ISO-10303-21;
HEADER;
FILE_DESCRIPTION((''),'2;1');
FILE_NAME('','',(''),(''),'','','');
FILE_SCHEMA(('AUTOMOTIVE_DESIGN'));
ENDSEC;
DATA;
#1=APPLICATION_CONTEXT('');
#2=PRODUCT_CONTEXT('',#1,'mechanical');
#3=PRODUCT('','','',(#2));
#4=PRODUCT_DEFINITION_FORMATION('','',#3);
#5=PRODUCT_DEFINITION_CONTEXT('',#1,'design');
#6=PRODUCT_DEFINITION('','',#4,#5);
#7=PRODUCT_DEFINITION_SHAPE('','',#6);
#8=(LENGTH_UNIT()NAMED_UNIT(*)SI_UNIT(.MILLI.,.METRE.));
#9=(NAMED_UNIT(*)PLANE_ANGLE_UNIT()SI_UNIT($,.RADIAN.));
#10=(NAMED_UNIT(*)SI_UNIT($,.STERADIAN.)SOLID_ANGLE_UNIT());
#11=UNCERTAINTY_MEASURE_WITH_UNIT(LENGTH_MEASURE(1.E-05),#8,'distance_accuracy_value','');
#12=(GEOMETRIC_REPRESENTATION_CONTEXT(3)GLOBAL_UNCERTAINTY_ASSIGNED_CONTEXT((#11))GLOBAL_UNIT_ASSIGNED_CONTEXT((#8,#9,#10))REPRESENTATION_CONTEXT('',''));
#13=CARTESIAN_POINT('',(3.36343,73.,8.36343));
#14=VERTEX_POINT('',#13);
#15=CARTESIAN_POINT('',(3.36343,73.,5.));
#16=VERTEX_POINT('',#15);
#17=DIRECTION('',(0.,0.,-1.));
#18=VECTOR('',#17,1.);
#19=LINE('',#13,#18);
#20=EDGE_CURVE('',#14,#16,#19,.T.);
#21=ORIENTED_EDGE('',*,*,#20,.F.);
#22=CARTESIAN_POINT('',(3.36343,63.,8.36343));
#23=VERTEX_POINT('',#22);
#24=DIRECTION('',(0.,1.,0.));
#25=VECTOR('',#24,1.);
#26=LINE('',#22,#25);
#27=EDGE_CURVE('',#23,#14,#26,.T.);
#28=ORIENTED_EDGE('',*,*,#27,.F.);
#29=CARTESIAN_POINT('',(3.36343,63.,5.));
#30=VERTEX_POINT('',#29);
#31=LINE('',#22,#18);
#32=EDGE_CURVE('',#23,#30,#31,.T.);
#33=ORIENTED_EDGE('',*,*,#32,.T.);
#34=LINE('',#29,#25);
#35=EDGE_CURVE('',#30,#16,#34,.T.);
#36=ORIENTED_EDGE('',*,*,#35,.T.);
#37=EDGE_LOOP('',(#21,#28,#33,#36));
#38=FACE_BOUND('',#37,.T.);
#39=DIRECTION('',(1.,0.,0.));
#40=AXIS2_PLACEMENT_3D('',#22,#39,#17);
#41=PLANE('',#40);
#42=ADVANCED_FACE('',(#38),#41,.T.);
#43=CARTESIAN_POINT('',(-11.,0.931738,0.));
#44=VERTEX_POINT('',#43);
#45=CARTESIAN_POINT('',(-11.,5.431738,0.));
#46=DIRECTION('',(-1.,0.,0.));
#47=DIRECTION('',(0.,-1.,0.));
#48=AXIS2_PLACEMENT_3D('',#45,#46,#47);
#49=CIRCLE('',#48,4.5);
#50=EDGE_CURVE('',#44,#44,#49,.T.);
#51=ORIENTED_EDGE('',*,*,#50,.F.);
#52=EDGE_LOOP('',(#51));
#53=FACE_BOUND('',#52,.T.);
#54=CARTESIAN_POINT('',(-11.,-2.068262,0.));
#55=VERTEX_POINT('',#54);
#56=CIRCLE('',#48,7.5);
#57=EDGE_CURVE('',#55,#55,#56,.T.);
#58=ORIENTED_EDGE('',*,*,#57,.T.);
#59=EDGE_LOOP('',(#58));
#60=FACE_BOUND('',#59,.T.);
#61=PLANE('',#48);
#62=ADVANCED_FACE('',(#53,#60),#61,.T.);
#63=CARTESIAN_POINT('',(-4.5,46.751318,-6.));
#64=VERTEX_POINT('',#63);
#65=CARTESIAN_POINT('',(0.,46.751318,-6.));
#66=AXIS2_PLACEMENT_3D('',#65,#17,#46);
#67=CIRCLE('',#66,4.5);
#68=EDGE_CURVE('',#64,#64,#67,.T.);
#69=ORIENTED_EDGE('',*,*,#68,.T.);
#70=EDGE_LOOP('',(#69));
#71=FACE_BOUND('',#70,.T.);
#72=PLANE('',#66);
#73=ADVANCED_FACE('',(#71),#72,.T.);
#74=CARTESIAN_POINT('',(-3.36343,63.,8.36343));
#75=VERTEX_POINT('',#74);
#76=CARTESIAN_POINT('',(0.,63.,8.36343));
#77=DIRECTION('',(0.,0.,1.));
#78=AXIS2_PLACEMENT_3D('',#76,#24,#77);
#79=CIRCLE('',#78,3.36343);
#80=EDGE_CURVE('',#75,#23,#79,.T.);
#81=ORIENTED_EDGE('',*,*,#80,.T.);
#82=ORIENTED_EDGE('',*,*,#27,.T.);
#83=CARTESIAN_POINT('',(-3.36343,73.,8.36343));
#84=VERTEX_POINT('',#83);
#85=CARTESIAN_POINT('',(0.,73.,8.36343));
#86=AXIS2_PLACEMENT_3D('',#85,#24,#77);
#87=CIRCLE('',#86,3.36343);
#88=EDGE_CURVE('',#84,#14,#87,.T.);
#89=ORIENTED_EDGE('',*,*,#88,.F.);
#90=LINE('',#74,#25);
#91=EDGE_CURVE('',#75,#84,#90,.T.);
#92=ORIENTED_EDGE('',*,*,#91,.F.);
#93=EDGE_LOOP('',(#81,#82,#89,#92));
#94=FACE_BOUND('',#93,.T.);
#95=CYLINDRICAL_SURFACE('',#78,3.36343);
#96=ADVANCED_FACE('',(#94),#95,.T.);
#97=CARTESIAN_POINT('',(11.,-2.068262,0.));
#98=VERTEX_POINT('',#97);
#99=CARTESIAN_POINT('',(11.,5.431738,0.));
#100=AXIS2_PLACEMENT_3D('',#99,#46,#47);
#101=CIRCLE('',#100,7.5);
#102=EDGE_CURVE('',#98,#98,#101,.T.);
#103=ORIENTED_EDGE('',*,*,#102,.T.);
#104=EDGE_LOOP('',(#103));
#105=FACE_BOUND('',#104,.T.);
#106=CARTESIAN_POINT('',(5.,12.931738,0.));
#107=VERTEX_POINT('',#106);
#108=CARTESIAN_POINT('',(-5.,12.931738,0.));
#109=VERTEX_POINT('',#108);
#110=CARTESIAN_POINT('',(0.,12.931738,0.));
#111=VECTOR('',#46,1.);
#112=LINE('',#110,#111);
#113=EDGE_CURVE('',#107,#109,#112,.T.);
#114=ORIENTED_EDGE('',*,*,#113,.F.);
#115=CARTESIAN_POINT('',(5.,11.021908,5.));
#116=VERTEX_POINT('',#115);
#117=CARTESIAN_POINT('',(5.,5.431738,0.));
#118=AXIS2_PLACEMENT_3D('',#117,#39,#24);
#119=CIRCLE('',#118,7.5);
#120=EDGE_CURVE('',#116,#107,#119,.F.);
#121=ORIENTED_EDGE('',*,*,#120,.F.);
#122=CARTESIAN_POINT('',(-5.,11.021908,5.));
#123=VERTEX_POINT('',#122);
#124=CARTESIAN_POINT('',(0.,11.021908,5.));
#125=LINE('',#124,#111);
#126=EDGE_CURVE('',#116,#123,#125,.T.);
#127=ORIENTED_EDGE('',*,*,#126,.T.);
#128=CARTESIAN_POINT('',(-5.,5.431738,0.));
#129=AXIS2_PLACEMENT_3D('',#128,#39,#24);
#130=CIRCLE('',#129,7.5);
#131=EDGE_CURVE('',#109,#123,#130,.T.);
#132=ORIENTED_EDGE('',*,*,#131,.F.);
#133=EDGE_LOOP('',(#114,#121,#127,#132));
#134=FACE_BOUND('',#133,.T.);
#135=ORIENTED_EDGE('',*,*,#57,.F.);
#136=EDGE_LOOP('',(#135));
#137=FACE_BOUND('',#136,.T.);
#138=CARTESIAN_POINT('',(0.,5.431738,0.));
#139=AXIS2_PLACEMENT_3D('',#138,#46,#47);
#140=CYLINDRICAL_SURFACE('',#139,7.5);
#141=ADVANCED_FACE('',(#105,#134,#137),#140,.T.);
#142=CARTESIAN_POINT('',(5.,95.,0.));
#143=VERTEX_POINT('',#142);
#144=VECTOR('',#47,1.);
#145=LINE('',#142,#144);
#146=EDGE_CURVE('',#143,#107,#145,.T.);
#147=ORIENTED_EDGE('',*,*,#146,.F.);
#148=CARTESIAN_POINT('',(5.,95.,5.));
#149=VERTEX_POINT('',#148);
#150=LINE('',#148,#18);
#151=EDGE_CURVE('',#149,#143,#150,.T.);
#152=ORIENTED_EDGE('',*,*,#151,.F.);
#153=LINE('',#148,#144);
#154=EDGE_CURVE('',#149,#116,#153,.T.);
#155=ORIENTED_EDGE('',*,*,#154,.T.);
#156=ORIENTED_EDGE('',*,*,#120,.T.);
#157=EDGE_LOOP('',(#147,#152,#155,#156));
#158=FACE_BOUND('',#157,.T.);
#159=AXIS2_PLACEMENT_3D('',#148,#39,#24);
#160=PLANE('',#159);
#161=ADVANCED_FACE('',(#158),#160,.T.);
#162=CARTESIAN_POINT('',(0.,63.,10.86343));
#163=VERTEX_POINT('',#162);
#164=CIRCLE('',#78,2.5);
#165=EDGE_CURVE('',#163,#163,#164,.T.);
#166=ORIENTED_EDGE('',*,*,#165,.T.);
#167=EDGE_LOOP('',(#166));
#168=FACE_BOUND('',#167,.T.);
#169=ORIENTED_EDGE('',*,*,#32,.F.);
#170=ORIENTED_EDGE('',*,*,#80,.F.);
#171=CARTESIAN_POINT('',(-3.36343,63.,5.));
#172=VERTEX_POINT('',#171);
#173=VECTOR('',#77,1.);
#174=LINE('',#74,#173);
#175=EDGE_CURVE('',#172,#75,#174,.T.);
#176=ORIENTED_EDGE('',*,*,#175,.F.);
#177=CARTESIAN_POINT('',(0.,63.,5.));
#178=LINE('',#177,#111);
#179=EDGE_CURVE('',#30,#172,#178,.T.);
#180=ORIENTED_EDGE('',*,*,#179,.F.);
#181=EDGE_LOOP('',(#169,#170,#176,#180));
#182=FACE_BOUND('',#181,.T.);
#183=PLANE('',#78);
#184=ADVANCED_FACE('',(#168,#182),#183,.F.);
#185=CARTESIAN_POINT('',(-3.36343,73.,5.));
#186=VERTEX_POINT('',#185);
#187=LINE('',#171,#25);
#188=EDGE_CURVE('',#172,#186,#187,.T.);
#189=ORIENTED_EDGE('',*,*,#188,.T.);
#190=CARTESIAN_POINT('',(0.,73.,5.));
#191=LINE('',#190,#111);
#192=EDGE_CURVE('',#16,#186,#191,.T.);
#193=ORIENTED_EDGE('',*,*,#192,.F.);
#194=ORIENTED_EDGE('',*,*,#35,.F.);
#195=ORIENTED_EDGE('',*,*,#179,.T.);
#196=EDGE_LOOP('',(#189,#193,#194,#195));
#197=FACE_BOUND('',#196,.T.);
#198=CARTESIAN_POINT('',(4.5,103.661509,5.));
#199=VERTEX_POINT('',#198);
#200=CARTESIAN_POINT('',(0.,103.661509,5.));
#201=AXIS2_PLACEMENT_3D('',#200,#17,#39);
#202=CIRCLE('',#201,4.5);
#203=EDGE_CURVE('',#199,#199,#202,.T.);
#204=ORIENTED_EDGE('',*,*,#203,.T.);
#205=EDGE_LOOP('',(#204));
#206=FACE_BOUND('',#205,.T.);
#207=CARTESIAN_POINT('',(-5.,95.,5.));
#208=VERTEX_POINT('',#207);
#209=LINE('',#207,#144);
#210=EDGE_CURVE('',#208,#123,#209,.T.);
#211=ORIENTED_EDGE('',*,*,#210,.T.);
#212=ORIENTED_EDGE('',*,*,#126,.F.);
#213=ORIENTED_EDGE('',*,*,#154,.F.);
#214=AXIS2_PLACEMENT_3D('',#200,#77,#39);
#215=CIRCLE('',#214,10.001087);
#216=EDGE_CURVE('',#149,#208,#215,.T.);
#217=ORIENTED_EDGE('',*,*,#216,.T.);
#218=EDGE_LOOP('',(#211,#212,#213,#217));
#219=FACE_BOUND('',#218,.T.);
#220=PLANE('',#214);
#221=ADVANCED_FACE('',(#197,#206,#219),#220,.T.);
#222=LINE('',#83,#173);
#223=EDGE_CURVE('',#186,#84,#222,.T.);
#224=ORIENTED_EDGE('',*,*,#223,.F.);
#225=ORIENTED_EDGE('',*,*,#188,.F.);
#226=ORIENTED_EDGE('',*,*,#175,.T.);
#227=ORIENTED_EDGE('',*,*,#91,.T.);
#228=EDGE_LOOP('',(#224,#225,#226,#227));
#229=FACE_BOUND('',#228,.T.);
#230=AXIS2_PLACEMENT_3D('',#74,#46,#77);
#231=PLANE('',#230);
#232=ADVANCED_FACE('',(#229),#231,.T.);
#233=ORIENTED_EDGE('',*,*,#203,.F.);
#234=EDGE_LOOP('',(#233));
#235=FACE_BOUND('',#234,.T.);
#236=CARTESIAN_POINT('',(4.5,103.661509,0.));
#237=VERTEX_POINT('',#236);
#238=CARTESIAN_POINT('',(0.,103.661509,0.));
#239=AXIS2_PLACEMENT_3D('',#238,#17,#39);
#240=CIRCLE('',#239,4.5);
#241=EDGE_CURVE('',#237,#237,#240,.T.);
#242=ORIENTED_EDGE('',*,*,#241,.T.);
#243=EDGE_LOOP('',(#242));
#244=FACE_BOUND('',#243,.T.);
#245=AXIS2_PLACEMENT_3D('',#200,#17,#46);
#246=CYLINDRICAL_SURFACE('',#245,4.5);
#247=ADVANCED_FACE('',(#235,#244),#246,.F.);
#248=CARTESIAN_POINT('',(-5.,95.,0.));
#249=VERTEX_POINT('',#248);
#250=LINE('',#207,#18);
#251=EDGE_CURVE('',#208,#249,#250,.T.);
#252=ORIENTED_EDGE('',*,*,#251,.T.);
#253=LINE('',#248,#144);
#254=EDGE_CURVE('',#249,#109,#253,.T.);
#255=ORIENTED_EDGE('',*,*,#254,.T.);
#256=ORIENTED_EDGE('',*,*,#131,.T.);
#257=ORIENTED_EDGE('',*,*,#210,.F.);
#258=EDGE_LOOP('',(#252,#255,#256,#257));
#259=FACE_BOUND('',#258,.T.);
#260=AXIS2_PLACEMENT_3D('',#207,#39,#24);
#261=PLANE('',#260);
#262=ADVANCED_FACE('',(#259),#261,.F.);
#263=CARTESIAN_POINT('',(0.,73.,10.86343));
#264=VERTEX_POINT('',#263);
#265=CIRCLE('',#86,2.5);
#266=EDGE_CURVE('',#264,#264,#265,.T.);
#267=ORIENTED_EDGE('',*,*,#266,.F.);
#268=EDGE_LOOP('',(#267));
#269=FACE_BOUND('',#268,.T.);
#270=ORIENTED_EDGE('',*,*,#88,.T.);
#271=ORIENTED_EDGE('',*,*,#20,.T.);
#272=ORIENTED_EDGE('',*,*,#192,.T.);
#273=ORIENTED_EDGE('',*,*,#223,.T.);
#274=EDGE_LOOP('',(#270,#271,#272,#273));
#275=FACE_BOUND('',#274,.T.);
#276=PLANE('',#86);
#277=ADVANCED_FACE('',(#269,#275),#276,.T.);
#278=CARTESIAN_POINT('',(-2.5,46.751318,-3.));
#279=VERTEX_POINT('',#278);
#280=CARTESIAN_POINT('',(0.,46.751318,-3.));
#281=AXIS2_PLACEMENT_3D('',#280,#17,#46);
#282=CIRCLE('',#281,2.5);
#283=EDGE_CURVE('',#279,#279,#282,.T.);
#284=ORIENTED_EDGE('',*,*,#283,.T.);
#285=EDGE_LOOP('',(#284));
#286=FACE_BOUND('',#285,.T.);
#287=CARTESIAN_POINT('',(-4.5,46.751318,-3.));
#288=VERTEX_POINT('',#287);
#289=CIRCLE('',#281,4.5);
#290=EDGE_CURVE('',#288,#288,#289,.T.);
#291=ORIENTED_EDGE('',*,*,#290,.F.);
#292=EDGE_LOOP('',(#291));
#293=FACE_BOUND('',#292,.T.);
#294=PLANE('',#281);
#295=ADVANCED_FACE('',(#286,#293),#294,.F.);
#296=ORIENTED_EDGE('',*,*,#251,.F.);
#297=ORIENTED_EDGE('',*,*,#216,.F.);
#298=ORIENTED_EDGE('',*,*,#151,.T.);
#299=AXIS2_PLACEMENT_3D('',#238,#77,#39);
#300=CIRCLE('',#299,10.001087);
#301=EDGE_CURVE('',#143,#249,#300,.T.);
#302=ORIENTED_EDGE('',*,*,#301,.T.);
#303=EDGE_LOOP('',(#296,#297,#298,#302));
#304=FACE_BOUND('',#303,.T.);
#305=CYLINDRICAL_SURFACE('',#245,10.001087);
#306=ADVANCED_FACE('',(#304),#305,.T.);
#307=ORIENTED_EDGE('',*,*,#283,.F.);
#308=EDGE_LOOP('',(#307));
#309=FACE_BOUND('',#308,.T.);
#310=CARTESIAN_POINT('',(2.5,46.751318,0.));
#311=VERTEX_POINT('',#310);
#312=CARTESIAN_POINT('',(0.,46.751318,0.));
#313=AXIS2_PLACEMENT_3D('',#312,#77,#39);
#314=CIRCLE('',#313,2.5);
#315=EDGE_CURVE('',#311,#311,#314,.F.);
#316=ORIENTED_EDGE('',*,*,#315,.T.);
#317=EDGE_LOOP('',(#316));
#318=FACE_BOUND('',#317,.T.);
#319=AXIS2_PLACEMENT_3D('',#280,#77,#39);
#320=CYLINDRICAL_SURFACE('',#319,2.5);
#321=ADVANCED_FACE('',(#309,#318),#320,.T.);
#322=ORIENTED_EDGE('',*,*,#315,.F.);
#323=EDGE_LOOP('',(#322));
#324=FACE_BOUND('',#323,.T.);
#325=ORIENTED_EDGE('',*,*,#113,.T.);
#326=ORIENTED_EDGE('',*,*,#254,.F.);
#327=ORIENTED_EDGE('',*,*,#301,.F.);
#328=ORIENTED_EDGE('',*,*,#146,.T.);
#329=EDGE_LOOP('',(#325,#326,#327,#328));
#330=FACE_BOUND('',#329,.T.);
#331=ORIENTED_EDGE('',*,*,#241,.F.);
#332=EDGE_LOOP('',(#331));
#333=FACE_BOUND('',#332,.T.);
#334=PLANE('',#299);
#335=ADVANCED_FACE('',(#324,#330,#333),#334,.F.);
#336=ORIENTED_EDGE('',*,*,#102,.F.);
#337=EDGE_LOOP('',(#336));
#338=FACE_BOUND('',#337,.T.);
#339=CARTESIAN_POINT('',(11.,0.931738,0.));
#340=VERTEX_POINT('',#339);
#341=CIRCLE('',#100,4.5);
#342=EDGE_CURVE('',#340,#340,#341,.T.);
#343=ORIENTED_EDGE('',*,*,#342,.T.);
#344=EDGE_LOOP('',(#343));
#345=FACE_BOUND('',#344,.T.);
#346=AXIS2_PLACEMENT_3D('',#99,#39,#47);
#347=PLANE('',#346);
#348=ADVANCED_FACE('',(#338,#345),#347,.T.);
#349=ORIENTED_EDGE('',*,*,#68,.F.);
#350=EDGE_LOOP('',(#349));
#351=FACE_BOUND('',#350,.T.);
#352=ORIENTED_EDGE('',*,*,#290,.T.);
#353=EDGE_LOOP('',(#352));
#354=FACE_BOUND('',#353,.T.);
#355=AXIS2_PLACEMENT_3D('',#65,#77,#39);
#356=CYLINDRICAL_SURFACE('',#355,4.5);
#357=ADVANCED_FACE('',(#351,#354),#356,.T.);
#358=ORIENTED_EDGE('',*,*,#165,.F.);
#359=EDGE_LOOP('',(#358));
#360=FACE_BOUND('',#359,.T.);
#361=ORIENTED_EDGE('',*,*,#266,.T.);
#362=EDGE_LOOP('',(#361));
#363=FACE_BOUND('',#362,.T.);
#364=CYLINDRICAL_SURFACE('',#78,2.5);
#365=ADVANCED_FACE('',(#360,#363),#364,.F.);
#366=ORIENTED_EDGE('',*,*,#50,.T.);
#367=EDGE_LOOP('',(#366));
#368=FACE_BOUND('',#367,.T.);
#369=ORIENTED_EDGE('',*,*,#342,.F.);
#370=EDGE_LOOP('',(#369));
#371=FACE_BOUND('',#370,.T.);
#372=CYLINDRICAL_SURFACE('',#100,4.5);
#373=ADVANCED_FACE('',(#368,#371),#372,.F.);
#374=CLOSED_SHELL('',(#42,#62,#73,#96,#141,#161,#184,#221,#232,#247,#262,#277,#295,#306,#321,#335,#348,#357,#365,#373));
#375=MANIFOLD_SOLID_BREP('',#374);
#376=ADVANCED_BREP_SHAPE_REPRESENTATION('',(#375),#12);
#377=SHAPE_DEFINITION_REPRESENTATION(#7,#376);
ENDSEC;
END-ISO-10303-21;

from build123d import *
from build123d.topology import SkipClean

# Parameters (mm, degrees)
BOSS_EXTRUDE1_DEPTH      = 5
BOSS_EXTRUDE2_START      = -5
SKETCH3_R                = 7.5
BOSS_EXTRUDE2_DEPTH      = 11
SKETCH7_R                = 2.5
BOSS_EXTRUDE7_DEPTH      = 3
SKETCH8_R                = 4.5
BOSS_EXTRUDE8_DEPTH      = 3
BOSS_EXTRUDE9_DEPTH      = 8
BOSS_EXTRUDE9_DEPTH_BACK = 2
BOSS_EXTRUDE9_START      = 65
SKETCH9_R                = 2.5
SKETCH4_R                = 4.5
CUT_EXTRUDE1_DEPTH       = 117.364534493


with BuildPart() as part:
    # Sketch1 → Boss-Extrude1 (new body)
    with BuildSketch(Plane.XY):
        with BuildLine():
            Line((-5, 95), (-5, 0))
            Line((-5, 0), (0, 0))
            Line((0, 0), (0, 99.161508865))
            ThreePointArc((0, 99.161508865), (-4.5, 103.661508865), (0, 108.161508865))
            Line((0, 108.161508865), (0, 113.662595596))
            ThreePointArc((0, 113.662595596), (-9.660389154, 106.249677564), (-5, 95))
        make_face()
    boss_extrude1 = extrude(amount=BOSS_EXTRUDE1_DEPTH)

    # Sketch3 → Boss-Extrude2 (add)
    with BuildSketch(Plane.ZY.offset(5).offset(BOSS_EXTRUDE2_START)):
        with Locations(Location((0, 5.43173798, 0), (0, 0, 270))):
            Circle(SKETCH3_R)
    boss_extrude2 = extrude(amount=BOSS_EXTRUDE2_DEPTH)

    # Sketch7 → Boss-Extrude7 (add)
    with BuildSketch(Plane(origin=(0, 0, 0), x_dir=(-1, 0, 0), z_dir=(0, 0, -1))):
        with Locations(Location((0, 46.751317941, 0), (0, 0, 270))):
            Circle(SKETCH7_R)
    extrude(amount=BOSS_EXTRUDE7_DEPTH)

    # Sketch8 → Boss-Extrude8 (add)
    with BuildSketch(Plane(origin=(0, 0, -3), x_dir=(-1, 0, 0), z_dir=(0, 0, -1))):
        with Locations((0, 46.751317941)):
            Circle(SKETCH8_R)
    extrude(amount=BOSS_EXTRUDE8_DEPTH)

    # Sketch9 → Boss-Extrude9 (add, two sides: drawn at the far end of the back side and taken through both)
    with BuildSketch(Plane(origin=(0, 0, 0), x_dir=(1, 0, 0), z_dir=(0, 1, 0)).offset(BOSS_EXTRUDE9_START - BOSS_EXTRUDE9_DEPTH_BACK)):
        with BuildLine():
            Line((-3.3634301, -8.3634301), (-3.3634301, -5))
            Line((-3.3634301, -5), (3.3634301, -5))
            Line((3.3634301, -5), (3.3634301, -8.3634301))
            ThreePointArc((3.3634301, -8.3634301), (0, -11.726860201), (-3.3634301, -8.3634301))
        make_face()
        with Locations(Location((0, -8.3634301, 0), (0, 0, 270))):
            Circle(SKETCH9_R, mode=Mode.SUBTRACT)
    extrude(amount=BOSS_EXTRUDE9_DEPTH + BOSS_EXTRUDE9_DEPTH_BACK)

    # Mirror1: Boss-Extrude1, Boss-Extrude2 across plane
    with SkipClean():  # the faces are left unmerged after this step: merging them gives an invalid solid
        add(boss_extrude1.mirror(Plane(origin=(0, 0, 5), x_dir=(0, 0, 1), z_dir=(-1, 0, 0))))
        add(boss_extrude2.mirror(Plane(origin=(0, 0, 5), x_dir=(0, 0, 1), z_dir=(-1, 0, 0))))

    # Sketch4 → Cut-Extrude1 (cut, through all)
    with SkipClean():  # the faces are left unmerged after this step: merging them gives an invalid solid
        with BuildSketch(Plane.ZY.offset(11)):
            with Locations(Location((0, 5.43173798, 0), (0, 0, 270))):
                Circle(SKETCH4_R)
        extrude(amount=-CUT_EXTRUDE1_DEPTH, mode=Mode.SUBTRACT)


solid = part.part
